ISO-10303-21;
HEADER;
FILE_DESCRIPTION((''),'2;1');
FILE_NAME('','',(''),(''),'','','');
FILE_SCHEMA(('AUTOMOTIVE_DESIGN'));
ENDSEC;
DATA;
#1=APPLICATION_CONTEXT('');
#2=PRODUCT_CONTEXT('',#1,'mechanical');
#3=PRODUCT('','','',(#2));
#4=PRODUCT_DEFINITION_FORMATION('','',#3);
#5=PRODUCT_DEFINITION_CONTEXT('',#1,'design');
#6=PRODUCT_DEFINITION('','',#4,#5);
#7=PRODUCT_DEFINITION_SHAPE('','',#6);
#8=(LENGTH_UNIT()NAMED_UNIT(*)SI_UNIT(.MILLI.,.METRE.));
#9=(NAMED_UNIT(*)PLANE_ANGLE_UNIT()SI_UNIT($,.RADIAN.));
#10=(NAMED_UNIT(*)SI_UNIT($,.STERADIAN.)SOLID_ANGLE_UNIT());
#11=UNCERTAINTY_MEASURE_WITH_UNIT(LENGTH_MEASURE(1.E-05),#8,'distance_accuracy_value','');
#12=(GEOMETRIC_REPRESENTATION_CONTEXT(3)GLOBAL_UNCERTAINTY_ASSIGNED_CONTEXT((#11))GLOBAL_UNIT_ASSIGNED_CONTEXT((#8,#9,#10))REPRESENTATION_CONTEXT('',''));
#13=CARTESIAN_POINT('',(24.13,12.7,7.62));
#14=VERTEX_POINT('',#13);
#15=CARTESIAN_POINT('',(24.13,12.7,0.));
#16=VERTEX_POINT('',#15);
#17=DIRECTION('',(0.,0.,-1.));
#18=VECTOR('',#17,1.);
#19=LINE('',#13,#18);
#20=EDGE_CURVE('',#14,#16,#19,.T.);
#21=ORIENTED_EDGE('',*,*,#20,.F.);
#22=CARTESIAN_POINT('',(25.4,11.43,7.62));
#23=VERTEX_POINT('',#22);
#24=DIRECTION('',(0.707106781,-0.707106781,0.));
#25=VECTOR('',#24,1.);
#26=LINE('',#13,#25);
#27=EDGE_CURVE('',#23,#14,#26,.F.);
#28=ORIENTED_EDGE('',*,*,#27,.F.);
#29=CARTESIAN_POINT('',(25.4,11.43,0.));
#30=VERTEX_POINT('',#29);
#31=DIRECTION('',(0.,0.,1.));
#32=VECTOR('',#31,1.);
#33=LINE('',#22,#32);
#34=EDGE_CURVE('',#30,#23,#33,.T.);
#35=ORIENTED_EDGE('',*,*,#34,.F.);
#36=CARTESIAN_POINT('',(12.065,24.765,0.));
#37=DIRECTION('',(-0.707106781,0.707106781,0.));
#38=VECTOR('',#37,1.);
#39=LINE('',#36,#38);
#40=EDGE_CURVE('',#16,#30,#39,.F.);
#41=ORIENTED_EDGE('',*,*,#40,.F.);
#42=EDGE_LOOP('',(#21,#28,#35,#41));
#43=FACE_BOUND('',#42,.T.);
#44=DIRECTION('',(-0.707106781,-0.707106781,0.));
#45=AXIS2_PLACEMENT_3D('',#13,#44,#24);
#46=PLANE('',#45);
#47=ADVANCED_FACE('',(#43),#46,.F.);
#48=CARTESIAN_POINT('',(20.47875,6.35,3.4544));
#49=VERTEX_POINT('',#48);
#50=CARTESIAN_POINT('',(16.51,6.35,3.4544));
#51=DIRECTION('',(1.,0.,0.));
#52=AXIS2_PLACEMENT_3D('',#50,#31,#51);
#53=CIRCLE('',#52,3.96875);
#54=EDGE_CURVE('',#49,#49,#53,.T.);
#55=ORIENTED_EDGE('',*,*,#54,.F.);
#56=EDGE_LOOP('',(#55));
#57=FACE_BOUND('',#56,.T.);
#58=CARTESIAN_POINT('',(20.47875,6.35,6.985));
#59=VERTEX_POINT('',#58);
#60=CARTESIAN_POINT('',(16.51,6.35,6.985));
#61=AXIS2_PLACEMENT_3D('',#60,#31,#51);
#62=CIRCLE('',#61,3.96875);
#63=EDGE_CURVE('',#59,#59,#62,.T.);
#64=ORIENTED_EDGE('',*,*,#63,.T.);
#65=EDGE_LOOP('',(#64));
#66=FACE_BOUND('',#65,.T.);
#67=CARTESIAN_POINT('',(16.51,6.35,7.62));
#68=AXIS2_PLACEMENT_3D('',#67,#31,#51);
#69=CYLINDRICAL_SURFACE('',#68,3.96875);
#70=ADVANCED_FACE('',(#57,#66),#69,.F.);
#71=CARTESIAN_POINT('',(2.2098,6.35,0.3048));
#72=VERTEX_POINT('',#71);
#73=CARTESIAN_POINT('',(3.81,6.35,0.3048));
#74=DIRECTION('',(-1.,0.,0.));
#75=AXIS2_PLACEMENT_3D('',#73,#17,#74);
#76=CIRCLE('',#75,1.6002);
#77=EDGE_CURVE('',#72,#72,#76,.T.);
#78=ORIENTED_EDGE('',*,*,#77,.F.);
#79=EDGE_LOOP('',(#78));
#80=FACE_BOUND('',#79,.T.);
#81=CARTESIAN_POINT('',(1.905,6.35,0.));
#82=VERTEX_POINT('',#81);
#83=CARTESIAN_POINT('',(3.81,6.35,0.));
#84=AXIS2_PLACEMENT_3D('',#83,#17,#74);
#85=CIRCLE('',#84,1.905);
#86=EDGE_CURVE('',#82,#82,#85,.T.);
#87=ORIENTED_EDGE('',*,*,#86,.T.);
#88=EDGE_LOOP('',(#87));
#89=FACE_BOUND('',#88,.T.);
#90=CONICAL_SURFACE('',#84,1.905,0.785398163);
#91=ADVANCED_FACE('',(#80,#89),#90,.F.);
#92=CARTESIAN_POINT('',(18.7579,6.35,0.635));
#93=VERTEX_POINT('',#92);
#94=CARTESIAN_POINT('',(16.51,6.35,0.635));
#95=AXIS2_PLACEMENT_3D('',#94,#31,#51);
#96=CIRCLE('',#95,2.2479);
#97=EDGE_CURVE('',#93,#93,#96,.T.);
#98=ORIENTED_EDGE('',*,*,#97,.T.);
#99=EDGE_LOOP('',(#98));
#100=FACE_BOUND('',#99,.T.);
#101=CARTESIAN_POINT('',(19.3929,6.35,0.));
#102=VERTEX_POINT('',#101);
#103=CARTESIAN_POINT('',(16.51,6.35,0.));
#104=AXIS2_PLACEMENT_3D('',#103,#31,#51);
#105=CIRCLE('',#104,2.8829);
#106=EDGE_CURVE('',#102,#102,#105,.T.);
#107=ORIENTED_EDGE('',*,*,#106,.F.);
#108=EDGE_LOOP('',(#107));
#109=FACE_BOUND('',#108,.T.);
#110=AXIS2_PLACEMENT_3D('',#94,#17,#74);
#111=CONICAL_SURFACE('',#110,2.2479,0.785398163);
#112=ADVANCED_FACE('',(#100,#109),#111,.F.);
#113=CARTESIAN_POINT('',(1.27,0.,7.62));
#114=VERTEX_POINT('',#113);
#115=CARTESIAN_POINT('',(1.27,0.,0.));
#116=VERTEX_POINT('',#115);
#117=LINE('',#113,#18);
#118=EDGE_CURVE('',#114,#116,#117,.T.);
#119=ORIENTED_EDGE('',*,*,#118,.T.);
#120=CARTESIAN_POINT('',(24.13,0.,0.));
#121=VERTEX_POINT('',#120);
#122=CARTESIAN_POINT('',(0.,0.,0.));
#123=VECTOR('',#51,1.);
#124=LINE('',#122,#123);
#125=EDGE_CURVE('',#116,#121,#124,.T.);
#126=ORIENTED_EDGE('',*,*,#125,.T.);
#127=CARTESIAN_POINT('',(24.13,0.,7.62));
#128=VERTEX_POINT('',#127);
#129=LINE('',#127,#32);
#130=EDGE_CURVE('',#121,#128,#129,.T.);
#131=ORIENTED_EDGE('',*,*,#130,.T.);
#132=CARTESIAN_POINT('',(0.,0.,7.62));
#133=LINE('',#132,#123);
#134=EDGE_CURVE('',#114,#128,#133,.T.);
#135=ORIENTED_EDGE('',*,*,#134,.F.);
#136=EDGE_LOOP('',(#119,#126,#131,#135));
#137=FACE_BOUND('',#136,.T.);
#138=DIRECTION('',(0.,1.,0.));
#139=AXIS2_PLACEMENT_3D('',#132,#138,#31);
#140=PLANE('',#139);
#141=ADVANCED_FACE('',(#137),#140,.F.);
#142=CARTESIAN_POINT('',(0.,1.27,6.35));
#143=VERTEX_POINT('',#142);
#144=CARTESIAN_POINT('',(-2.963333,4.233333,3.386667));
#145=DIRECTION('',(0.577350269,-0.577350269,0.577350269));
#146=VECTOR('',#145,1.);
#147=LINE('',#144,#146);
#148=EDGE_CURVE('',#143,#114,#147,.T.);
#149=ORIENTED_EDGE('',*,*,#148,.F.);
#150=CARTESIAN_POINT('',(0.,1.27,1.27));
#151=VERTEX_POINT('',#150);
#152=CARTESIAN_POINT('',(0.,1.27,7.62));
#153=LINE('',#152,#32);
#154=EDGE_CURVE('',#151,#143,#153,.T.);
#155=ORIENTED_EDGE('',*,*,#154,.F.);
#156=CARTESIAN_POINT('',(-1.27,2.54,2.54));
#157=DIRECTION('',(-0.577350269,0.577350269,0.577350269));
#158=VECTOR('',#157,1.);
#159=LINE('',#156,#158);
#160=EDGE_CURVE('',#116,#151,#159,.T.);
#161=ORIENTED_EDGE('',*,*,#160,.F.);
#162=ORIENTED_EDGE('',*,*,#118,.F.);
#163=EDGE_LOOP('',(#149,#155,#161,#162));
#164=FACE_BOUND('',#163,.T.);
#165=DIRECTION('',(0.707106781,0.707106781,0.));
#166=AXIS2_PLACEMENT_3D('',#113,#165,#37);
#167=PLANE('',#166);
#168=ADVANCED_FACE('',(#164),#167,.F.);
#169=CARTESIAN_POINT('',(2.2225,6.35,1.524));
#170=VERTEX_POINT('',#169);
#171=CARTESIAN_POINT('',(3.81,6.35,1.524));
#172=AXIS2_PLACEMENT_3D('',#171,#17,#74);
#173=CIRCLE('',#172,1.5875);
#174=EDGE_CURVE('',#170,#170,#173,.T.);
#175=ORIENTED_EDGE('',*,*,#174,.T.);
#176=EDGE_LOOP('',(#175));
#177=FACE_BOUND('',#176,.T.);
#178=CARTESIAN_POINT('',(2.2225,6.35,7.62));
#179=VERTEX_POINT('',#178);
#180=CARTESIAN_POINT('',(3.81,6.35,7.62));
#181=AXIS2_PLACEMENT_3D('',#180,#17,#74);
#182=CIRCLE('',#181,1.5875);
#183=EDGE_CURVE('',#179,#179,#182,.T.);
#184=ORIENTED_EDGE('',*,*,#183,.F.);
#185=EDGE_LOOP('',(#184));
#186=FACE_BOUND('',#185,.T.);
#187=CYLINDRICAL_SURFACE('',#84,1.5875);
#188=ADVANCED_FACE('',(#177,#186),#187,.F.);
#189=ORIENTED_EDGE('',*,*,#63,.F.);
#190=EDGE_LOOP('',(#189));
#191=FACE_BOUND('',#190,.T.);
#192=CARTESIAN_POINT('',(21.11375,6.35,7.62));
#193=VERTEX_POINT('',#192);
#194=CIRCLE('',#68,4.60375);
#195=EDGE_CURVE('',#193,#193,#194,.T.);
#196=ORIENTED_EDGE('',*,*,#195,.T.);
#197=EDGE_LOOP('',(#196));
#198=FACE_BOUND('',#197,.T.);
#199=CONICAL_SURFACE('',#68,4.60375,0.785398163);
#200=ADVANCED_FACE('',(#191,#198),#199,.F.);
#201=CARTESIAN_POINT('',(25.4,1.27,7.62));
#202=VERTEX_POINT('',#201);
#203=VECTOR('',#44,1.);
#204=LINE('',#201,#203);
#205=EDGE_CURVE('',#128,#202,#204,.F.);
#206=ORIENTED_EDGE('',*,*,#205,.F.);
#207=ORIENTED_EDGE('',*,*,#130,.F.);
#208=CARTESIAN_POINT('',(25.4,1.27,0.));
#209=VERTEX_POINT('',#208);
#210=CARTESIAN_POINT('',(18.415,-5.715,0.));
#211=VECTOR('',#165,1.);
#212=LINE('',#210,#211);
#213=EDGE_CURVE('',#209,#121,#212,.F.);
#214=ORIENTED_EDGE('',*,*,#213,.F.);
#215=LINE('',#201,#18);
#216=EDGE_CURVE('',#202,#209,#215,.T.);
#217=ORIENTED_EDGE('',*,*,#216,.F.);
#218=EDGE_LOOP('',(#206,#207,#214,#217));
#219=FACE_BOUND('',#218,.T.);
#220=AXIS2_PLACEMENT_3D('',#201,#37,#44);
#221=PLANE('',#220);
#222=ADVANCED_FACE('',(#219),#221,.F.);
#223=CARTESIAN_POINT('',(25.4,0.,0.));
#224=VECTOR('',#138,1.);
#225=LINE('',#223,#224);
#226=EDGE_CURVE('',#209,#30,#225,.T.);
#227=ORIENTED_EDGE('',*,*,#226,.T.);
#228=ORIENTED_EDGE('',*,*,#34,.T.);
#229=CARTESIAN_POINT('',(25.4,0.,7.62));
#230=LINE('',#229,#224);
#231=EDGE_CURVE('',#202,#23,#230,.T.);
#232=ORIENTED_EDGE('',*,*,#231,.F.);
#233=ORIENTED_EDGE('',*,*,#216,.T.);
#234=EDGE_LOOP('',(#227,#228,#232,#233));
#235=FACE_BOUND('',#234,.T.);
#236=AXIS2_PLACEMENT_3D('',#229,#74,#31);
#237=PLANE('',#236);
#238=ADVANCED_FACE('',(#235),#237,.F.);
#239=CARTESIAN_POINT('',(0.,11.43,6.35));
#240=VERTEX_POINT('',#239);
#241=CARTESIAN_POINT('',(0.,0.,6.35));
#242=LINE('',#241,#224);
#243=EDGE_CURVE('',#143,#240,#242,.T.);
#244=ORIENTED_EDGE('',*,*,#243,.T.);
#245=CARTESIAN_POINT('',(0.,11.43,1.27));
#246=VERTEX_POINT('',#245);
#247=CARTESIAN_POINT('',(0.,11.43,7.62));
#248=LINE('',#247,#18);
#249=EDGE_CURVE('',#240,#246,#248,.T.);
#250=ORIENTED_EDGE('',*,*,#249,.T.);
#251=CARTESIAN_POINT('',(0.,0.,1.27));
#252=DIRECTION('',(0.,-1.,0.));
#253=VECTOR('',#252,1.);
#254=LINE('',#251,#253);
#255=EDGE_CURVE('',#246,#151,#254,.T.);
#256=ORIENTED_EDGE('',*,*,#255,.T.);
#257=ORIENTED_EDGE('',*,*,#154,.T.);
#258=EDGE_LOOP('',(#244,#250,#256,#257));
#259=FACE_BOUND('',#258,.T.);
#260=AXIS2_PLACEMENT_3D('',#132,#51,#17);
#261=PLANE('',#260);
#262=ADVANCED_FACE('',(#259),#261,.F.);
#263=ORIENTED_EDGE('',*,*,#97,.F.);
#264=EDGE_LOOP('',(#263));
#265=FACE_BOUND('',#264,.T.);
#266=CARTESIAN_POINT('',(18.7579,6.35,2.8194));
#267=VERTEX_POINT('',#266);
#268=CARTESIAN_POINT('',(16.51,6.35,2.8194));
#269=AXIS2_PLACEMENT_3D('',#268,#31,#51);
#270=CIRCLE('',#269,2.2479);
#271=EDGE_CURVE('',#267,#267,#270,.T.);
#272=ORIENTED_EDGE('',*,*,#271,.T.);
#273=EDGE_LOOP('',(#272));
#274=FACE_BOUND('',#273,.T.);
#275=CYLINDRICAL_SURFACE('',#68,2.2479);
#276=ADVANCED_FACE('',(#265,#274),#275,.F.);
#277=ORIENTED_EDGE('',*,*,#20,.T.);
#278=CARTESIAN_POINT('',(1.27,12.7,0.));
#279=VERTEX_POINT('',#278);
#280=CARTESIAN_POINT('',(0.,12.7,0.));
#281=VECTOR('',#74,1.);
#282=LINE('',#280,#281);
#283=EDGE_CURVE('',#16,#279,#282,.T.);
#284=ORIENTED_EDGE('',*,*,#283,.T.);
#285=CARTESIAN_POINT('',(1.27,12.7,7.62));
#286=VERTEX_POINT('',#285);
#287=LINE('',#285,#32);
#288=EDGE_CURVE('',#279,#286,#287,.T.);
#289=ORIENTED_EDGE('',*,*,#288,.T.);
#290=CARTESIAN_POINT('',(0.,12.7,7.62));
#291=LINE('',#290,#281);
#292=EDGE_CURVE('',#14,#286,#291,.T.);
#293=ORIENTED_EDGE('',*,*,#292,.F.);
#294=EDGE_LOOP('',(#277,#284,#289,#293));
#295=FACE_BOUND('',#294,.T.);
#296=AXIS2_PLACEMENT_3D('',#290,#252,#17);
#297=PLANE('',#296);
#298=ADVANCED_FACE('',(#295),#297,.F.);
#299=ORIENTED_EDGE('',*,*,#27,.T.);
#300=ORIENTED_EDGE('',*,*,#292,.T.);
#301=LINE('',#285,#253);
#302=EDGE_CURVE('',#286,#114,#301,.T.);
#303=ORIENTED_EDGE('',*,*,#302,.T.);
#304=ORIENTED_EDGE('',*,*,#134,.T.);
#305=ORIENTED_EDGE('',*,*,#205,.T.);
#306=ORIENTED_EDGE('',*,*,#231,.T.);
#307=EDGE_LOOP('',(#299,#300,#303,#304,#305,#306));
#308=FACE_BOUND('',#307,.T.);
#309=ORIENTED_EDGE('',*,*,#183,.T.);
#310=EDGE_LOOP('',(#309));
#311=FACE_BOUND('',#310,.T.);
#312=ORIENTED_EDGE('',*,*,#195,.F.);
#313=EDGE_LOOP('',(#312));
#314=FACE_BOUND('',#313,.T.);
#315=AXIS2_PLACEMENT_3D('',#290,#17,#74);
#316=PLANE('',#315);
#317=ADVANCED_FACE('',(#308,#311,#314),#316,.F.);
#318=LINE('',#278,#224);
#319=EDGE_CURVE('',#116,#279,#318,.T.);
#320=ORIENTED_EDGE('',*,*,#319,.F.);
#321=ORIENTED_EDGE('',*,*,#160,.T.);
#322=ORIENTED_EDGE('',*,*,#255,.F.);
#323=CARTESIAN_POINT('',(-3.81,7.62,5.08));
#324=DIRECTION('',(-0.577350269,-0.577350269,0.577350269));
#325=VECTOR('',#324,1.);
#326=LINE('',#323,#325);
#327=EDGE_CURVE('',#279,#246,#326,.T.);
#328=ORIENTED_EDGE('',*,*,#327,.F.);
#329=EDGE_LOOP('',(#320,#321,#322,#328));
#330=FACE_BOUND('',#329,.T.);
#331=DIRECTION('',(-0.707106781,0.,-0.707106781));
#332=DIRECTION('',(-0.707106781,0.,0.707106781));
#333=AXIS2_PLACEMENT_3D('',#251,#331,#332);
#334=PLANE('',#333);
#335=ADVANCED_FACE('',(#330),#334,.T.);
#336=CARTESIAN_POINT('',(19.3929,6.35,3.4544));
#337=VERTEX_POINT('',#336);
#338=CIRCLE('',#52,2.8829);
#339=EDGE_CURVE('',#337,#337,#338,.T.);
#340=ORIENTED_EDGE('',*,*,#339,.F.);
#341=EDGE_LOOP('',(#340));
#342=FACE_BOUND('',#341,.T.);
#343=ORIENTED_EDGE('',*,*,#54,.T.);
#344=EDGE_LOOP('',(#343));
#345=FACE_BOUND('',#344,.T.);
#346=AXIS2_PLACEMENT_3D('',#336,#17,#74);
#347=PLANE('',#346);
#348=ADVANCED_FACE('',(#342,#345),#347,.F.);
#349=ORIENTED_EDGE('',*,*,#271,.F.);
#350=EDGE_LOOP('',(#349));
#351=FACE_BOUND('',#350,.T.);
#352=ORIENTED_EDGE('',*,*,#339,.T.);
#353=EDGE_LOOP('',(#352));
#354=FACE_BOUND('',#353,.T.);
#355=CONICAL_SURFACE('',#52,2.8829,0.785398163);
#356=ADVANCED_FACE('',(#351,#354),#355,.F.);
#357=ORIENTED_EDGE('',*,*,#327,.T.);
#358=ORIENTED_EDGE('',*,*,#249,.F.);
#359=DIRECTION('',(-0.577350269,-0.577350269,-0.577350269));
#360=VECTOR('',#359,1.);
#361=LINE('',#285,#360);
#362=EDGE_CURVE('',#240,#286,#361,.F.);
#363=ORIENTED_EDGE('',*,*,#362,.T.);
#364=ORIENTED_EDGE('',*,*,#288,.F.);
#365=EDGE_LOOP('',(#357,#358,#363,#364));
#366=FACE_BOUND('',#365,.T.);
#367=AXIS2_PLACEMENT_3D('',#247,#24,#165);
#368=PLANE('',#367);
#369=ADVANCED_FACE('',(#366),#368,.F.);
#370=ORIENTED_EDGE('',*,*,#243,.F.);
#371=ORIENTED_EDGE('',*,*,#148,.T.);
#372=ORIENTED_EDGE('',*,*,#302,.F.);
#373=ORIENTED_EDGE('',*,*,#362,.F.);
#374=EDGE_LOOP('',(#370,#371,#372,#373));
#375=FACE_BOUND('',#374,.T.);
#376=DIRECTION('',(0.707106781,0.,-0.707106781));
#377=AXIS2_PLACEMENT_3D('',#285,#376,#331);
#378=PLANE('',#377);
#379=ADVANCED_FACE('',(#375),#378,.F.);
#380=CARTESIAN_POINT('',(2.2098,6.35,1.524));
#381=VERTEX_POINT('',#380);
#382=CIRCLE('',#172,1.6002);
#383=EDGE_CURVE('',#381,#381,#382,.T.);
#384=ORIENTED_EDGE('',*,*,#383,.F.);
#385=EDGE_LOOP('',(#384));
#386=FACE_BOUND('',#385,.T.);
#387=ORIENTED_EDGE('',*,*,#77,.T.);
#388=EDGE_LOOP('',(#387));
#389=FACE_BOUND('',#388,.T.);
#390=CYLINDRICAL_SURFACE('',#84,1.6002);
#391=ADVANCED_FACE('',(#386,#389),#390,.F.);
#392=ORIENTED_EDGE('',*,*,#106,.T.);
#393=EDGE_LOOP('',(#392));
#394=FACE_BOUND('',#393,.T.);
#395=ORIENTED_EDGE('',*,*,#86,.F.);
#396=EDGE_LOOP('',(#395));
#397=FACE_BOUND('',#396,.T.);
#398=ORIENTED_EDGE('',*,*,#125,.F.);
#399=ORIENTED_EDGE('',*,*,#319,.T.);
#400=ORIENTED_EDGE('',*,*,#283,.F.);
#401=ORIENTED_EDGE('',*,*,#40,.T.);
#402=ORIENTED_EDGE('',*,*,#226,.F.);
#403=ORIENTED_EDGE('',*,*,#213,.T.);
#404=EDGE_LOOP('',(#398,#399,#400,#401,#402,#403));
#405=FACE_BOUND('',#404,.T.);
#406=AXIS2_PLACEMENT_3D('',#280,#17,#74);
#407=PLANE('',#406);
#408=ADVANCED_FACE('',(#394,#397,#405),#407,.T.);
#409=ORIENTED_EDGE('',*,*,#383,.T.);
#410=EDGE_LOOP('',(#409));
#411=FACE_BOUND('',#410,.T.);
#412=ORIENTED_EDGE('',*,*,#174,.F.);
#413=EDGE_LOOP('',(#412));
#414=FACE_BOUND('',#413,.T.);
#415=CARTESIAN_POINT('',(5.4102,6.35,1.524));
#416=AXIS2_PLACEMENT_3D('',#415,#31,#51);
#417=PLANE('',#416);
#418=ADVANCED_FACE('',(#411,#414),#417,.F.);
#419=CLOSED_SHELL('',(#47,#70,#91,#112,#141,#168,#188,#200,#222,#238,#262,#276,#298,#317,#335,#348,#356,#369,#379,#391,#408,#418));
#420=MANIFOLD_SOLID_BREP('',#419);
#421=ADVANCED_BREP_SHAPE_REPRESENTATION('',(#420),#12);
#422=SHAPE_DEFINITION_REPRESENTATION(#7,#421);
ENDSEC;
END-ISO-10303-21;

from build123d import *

# Parameters (mm, degrees)
SKETCH1_W      = 25.4
SKETCH1_H      = 12.7
SKETCH1_R      = 1.27
EXTRUDE1_DEPTH = 7.62
CHAMFER1_SIZE  = 1.27


with BuildPart() as part:
    # Sketch1 → Extrude1 (new body)
    with BuildSketch(Plane.XY):
        with Locations((12.7, 6.35)):
            Rectangle(SKETCH1_W, SKETCH1_H)
        with Locations((16.51, 6.35)):
            Circle(SKETCH1_R, mode=Mode.SUBTRACT)
    extrude(amount=EXTRUDE1_DEPTH)

    # Chamfer1
    chamfer1_edges = [part.edges().sort_by_distance(p)[0] for p in [
        (0, 6.35, 7.62),
        (0, 6.35, 0),
        (0, 12.7, 3.81),
        (25.4, 12.7, 3.81),
        (25.4, 0, 3.81),
        (0, 0, 3.81),
    ]]
    chamfer(chamfer1_edges, length=CHAMFER1_SIZE)

    # Sketch2 → CBORE for #8 Socket Head Cap Screw1 (revolve, cut)
    with BuildSketch(Plane(origin=(16.51, 6.35, 7.62), x_dir=(0, -1, 0), z_dir=(1, 0, 0))):
        Polygon((0, 0), (0, 7.62), (2.8829, 7.62), (2.2479, 6.985), (2.2479, 4.8006), (2.8829, 4.1656), (3.96875, 4.1656), (3.96875, 0.635), (4.60375, 0), align=None)
    revolve(axis=Axis((16.51, 6.35, 13.97), (0, 0, -1)), mode=Mode.SUBTRACT)

    # Sketch4 → CBORE for #4 Socket Head Cap Screw1 (revolve, cut)
    with BuildSketch(Plane(origin=(3.81, 6.35, 0), x_dir=(0, 1, 0), z_dir=(1, 0, 0))):
        Polygon((0, 0), (0, 7.62), (1.5875, 7.62), (1.5875, 1.524), (1.6002, 1.524), (1.6002, 0.3048), (1.905, 0), align=None)
    revolve(axis=Axis((3.81, 6.35, -6.35), (0, 0, 1)), mode=Mode.SUBTRACT)


solid = part.part
